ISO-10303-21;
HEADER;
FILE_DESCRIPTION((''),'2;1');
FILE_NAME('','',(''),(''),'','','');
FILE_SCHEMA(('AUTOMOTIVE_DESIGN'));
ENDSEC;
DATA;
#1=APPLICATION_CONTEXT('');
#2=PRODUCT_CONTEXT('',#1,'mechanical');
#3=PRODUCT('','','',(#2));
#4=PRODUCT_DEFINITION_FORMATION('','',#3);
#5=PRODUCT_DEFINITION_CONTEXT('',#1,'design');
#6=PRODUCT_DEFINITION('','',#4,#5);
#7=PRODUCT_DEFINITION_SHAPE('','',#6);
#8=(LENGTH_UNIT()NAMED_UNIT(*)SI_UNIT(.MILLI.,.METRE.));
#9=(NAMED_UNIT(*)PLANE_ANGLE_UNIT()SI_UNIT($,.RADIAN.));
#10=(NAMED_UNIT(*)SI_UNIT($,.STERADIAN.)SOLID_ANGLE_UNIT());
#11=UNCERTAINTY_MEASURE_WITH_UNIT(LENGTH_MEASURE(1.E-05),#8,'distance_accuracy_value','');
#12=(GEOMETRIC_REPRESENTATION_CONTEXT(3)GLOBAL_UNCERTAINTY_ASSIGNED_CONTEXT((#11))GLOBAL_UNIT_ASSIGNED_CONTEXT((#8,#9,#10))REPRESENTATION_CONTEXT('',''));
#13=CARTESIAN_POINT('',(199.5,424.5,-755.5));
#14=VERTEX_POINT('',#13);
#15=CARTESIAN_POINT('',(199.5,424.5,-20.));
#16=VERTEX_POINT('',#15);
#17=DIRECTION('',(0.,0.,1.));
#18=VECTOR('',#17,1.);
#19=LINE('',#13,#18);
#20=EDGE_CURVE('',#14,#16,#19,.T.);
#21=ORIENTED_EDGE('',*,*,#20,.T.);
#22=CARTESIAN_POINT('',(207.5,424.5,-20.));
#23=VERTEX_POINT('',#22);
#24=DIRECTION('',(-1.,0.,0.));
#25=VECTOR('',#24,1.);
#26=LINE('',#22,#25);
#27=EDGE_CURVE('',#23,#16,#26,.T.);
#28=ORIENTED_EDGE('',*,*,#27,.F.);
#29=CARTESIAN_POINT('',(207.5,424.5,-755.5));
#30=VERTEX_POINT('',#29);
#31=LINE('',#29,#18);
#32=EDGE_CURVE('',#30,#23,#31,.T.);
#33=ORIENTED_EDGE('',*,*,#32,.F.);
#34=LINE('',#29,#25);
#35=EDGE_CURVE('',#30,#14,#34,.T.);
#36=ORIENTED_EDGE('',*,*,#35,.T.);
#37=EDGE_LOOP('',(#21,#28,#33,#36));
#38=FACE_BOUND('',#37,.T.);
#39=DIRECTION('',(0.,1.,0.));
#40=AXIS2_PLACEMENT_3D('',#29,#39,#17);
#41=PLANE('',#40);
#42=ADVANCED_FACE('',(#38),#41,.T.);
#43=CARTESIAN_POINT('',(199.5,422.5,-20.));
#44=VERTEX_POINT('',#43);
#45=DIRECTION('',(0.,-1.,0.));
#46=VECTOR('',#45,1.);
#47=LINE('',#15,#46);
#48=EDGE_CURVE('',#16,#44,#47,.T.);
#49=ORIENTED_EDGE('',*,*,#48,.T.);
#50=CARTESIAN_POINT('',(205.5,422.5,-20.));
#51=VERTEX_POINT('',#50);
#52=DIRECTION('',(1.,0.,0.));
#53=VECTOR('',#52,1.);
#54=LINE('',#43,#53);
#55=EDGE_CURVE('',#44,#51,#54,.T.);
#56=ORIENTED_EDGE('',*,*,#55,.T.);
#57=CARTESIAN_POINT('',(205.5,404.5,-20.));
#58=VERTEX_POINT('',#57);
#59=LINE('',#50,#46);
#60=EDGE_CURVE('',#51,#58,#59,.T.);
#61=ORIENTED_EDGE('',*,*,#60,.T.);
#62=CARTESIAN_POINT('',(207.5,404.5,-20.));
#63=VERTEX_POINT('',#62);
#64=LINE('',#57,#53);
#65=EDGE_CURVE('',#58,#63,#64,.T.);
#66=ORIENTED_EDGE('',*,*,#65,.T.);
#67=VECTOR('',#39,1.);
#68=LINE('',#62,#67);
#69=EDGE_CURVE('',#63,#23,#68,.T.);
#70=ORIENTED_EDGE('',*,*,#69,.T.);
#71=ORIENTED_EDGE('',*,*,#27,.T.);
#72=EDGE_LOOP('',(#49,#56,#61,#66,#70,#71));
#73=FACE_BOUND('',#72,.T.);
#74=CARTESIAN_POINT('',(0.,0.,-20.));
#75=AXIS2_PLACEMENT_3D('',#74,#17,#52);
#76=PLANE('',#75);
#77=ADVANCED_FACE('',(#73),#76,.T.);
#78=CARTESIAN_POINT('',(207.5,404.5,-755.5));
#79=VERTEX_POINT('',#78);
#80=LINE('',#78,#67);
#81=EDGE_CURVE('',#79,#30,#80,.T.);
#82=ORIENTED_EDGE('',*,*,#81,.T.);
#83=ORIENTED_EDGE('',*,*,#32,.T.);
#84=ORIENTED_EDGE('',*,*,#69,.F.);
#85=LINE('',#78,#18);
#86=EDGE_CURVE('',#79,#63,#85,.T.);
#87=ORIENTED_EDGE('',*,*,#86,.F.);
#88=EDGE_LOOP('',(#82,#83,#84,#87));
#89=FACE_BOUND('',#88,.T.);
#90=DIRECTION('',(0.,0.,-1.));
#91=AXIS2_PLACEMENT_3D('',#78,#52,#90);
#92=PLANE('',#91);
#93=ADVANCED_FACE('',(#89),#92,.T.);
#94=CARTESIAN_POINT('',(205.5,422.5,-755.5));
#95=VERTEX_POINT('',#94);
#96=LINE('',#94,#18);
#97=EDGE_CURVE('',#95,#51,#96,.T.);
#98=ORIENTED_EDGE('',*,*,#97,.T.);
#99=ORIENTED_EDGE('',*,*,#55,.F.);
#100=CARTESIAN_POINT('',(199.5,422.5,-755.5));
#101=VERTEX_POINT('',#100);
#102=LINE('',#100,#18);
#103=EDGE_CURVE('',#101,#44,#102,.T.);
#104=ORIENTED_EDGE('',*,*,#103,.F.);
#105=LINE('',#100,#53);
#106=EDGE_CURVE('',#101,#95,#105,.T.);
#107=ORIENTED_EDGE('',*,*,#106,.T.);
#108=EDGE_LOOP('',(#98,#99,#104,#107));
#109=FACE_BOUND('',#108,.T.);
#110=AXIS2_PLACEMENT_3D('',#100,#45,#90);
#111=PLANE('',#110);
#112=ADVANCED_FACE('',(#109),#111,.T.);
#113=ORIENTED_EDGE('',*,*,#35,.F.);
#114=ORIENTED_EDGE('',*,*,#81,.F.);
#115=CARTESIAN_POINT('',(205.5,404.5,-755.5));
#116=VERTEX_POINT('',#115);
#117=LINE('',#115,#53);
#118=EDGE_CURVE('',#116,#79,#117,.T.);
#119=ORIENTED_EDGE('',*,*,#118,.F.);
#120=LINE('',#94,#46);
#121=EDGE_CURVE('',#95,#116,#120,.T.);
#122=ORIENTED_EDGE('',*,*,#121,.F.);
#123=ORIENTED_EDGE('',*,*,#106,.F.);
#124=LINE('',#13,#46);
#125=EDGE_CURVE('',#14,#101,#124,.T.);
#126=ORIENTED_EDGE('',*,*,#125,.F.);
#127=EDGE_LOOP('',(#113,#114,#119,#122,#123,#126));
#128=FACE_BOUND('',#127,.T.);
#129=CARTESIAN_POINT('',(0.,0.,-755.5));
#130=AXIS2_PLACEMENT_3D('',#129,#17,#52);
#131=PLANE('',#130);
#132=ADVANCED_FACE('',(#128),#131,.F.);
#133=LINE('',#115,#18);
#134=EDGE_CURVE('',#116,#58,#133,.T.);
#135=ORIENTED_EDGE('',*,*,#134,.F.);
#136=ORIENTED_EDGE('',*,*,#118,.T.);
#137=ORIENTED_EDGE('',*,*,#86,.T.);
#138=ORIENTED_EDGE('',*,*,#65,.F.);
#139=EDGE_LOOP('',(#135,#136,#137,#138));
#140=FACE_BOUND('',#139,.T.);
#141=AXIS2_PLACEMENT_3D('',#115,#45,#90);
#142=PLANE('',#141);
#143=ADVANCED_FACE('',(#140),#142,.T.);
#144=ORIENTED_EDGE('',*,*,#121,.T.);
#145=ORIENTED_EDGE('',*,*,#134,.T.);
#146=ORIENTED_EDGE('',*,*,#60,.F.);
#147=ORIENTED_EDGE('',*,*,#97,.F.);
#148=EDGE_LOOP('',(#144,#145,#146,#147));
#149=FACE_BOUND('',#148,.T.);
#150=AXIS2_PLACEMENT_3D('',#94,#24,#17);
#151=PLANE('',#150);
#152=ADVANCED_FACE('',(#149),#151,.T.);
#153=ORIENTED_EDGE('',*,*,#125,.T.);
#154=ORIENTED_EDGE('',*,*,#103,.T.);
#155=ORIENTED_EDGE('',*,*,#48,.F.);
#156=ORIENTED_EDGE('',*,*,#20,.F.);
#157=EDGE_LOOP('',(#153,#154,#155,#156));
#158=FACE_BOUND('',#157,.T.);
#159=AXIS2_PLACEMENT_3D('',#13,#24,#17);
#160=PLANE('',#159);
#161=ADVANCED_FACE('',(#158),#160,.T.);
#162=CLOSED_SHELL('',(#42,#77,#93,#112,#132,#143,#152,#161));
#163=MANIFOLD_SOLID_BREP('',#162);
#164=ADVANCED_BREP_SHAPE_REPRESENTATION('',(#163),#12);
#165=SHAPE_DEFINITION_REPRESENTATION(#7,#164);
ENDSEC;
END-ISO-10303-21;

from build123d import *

# Parameters (mm, degrees)
STORE_KASET_L_RAF_1_SAG_1_START = -20
STORE_KASET_L_RAF_1_SAG_1_DEPTH = 735.5


with BuildPart() as part:
    # Sketch1 → STORE_kaset_L_raf_1_sag_1 (new body)
    with BuildSketch(Plane.XY.offset(STORE_KASET_L_RAF_1_SAG_1_START)):
        Polygon((205.5, 404.5), (207.5, 404.5), (207.5, 424.5), (199.5, 424.5), (199.5, 422.5), (205.5, 422.5), align=None)
    extrude(amount=-STORE_KASET_L_RAF_1_SAG_1_DEPTH)


solid = part.part
